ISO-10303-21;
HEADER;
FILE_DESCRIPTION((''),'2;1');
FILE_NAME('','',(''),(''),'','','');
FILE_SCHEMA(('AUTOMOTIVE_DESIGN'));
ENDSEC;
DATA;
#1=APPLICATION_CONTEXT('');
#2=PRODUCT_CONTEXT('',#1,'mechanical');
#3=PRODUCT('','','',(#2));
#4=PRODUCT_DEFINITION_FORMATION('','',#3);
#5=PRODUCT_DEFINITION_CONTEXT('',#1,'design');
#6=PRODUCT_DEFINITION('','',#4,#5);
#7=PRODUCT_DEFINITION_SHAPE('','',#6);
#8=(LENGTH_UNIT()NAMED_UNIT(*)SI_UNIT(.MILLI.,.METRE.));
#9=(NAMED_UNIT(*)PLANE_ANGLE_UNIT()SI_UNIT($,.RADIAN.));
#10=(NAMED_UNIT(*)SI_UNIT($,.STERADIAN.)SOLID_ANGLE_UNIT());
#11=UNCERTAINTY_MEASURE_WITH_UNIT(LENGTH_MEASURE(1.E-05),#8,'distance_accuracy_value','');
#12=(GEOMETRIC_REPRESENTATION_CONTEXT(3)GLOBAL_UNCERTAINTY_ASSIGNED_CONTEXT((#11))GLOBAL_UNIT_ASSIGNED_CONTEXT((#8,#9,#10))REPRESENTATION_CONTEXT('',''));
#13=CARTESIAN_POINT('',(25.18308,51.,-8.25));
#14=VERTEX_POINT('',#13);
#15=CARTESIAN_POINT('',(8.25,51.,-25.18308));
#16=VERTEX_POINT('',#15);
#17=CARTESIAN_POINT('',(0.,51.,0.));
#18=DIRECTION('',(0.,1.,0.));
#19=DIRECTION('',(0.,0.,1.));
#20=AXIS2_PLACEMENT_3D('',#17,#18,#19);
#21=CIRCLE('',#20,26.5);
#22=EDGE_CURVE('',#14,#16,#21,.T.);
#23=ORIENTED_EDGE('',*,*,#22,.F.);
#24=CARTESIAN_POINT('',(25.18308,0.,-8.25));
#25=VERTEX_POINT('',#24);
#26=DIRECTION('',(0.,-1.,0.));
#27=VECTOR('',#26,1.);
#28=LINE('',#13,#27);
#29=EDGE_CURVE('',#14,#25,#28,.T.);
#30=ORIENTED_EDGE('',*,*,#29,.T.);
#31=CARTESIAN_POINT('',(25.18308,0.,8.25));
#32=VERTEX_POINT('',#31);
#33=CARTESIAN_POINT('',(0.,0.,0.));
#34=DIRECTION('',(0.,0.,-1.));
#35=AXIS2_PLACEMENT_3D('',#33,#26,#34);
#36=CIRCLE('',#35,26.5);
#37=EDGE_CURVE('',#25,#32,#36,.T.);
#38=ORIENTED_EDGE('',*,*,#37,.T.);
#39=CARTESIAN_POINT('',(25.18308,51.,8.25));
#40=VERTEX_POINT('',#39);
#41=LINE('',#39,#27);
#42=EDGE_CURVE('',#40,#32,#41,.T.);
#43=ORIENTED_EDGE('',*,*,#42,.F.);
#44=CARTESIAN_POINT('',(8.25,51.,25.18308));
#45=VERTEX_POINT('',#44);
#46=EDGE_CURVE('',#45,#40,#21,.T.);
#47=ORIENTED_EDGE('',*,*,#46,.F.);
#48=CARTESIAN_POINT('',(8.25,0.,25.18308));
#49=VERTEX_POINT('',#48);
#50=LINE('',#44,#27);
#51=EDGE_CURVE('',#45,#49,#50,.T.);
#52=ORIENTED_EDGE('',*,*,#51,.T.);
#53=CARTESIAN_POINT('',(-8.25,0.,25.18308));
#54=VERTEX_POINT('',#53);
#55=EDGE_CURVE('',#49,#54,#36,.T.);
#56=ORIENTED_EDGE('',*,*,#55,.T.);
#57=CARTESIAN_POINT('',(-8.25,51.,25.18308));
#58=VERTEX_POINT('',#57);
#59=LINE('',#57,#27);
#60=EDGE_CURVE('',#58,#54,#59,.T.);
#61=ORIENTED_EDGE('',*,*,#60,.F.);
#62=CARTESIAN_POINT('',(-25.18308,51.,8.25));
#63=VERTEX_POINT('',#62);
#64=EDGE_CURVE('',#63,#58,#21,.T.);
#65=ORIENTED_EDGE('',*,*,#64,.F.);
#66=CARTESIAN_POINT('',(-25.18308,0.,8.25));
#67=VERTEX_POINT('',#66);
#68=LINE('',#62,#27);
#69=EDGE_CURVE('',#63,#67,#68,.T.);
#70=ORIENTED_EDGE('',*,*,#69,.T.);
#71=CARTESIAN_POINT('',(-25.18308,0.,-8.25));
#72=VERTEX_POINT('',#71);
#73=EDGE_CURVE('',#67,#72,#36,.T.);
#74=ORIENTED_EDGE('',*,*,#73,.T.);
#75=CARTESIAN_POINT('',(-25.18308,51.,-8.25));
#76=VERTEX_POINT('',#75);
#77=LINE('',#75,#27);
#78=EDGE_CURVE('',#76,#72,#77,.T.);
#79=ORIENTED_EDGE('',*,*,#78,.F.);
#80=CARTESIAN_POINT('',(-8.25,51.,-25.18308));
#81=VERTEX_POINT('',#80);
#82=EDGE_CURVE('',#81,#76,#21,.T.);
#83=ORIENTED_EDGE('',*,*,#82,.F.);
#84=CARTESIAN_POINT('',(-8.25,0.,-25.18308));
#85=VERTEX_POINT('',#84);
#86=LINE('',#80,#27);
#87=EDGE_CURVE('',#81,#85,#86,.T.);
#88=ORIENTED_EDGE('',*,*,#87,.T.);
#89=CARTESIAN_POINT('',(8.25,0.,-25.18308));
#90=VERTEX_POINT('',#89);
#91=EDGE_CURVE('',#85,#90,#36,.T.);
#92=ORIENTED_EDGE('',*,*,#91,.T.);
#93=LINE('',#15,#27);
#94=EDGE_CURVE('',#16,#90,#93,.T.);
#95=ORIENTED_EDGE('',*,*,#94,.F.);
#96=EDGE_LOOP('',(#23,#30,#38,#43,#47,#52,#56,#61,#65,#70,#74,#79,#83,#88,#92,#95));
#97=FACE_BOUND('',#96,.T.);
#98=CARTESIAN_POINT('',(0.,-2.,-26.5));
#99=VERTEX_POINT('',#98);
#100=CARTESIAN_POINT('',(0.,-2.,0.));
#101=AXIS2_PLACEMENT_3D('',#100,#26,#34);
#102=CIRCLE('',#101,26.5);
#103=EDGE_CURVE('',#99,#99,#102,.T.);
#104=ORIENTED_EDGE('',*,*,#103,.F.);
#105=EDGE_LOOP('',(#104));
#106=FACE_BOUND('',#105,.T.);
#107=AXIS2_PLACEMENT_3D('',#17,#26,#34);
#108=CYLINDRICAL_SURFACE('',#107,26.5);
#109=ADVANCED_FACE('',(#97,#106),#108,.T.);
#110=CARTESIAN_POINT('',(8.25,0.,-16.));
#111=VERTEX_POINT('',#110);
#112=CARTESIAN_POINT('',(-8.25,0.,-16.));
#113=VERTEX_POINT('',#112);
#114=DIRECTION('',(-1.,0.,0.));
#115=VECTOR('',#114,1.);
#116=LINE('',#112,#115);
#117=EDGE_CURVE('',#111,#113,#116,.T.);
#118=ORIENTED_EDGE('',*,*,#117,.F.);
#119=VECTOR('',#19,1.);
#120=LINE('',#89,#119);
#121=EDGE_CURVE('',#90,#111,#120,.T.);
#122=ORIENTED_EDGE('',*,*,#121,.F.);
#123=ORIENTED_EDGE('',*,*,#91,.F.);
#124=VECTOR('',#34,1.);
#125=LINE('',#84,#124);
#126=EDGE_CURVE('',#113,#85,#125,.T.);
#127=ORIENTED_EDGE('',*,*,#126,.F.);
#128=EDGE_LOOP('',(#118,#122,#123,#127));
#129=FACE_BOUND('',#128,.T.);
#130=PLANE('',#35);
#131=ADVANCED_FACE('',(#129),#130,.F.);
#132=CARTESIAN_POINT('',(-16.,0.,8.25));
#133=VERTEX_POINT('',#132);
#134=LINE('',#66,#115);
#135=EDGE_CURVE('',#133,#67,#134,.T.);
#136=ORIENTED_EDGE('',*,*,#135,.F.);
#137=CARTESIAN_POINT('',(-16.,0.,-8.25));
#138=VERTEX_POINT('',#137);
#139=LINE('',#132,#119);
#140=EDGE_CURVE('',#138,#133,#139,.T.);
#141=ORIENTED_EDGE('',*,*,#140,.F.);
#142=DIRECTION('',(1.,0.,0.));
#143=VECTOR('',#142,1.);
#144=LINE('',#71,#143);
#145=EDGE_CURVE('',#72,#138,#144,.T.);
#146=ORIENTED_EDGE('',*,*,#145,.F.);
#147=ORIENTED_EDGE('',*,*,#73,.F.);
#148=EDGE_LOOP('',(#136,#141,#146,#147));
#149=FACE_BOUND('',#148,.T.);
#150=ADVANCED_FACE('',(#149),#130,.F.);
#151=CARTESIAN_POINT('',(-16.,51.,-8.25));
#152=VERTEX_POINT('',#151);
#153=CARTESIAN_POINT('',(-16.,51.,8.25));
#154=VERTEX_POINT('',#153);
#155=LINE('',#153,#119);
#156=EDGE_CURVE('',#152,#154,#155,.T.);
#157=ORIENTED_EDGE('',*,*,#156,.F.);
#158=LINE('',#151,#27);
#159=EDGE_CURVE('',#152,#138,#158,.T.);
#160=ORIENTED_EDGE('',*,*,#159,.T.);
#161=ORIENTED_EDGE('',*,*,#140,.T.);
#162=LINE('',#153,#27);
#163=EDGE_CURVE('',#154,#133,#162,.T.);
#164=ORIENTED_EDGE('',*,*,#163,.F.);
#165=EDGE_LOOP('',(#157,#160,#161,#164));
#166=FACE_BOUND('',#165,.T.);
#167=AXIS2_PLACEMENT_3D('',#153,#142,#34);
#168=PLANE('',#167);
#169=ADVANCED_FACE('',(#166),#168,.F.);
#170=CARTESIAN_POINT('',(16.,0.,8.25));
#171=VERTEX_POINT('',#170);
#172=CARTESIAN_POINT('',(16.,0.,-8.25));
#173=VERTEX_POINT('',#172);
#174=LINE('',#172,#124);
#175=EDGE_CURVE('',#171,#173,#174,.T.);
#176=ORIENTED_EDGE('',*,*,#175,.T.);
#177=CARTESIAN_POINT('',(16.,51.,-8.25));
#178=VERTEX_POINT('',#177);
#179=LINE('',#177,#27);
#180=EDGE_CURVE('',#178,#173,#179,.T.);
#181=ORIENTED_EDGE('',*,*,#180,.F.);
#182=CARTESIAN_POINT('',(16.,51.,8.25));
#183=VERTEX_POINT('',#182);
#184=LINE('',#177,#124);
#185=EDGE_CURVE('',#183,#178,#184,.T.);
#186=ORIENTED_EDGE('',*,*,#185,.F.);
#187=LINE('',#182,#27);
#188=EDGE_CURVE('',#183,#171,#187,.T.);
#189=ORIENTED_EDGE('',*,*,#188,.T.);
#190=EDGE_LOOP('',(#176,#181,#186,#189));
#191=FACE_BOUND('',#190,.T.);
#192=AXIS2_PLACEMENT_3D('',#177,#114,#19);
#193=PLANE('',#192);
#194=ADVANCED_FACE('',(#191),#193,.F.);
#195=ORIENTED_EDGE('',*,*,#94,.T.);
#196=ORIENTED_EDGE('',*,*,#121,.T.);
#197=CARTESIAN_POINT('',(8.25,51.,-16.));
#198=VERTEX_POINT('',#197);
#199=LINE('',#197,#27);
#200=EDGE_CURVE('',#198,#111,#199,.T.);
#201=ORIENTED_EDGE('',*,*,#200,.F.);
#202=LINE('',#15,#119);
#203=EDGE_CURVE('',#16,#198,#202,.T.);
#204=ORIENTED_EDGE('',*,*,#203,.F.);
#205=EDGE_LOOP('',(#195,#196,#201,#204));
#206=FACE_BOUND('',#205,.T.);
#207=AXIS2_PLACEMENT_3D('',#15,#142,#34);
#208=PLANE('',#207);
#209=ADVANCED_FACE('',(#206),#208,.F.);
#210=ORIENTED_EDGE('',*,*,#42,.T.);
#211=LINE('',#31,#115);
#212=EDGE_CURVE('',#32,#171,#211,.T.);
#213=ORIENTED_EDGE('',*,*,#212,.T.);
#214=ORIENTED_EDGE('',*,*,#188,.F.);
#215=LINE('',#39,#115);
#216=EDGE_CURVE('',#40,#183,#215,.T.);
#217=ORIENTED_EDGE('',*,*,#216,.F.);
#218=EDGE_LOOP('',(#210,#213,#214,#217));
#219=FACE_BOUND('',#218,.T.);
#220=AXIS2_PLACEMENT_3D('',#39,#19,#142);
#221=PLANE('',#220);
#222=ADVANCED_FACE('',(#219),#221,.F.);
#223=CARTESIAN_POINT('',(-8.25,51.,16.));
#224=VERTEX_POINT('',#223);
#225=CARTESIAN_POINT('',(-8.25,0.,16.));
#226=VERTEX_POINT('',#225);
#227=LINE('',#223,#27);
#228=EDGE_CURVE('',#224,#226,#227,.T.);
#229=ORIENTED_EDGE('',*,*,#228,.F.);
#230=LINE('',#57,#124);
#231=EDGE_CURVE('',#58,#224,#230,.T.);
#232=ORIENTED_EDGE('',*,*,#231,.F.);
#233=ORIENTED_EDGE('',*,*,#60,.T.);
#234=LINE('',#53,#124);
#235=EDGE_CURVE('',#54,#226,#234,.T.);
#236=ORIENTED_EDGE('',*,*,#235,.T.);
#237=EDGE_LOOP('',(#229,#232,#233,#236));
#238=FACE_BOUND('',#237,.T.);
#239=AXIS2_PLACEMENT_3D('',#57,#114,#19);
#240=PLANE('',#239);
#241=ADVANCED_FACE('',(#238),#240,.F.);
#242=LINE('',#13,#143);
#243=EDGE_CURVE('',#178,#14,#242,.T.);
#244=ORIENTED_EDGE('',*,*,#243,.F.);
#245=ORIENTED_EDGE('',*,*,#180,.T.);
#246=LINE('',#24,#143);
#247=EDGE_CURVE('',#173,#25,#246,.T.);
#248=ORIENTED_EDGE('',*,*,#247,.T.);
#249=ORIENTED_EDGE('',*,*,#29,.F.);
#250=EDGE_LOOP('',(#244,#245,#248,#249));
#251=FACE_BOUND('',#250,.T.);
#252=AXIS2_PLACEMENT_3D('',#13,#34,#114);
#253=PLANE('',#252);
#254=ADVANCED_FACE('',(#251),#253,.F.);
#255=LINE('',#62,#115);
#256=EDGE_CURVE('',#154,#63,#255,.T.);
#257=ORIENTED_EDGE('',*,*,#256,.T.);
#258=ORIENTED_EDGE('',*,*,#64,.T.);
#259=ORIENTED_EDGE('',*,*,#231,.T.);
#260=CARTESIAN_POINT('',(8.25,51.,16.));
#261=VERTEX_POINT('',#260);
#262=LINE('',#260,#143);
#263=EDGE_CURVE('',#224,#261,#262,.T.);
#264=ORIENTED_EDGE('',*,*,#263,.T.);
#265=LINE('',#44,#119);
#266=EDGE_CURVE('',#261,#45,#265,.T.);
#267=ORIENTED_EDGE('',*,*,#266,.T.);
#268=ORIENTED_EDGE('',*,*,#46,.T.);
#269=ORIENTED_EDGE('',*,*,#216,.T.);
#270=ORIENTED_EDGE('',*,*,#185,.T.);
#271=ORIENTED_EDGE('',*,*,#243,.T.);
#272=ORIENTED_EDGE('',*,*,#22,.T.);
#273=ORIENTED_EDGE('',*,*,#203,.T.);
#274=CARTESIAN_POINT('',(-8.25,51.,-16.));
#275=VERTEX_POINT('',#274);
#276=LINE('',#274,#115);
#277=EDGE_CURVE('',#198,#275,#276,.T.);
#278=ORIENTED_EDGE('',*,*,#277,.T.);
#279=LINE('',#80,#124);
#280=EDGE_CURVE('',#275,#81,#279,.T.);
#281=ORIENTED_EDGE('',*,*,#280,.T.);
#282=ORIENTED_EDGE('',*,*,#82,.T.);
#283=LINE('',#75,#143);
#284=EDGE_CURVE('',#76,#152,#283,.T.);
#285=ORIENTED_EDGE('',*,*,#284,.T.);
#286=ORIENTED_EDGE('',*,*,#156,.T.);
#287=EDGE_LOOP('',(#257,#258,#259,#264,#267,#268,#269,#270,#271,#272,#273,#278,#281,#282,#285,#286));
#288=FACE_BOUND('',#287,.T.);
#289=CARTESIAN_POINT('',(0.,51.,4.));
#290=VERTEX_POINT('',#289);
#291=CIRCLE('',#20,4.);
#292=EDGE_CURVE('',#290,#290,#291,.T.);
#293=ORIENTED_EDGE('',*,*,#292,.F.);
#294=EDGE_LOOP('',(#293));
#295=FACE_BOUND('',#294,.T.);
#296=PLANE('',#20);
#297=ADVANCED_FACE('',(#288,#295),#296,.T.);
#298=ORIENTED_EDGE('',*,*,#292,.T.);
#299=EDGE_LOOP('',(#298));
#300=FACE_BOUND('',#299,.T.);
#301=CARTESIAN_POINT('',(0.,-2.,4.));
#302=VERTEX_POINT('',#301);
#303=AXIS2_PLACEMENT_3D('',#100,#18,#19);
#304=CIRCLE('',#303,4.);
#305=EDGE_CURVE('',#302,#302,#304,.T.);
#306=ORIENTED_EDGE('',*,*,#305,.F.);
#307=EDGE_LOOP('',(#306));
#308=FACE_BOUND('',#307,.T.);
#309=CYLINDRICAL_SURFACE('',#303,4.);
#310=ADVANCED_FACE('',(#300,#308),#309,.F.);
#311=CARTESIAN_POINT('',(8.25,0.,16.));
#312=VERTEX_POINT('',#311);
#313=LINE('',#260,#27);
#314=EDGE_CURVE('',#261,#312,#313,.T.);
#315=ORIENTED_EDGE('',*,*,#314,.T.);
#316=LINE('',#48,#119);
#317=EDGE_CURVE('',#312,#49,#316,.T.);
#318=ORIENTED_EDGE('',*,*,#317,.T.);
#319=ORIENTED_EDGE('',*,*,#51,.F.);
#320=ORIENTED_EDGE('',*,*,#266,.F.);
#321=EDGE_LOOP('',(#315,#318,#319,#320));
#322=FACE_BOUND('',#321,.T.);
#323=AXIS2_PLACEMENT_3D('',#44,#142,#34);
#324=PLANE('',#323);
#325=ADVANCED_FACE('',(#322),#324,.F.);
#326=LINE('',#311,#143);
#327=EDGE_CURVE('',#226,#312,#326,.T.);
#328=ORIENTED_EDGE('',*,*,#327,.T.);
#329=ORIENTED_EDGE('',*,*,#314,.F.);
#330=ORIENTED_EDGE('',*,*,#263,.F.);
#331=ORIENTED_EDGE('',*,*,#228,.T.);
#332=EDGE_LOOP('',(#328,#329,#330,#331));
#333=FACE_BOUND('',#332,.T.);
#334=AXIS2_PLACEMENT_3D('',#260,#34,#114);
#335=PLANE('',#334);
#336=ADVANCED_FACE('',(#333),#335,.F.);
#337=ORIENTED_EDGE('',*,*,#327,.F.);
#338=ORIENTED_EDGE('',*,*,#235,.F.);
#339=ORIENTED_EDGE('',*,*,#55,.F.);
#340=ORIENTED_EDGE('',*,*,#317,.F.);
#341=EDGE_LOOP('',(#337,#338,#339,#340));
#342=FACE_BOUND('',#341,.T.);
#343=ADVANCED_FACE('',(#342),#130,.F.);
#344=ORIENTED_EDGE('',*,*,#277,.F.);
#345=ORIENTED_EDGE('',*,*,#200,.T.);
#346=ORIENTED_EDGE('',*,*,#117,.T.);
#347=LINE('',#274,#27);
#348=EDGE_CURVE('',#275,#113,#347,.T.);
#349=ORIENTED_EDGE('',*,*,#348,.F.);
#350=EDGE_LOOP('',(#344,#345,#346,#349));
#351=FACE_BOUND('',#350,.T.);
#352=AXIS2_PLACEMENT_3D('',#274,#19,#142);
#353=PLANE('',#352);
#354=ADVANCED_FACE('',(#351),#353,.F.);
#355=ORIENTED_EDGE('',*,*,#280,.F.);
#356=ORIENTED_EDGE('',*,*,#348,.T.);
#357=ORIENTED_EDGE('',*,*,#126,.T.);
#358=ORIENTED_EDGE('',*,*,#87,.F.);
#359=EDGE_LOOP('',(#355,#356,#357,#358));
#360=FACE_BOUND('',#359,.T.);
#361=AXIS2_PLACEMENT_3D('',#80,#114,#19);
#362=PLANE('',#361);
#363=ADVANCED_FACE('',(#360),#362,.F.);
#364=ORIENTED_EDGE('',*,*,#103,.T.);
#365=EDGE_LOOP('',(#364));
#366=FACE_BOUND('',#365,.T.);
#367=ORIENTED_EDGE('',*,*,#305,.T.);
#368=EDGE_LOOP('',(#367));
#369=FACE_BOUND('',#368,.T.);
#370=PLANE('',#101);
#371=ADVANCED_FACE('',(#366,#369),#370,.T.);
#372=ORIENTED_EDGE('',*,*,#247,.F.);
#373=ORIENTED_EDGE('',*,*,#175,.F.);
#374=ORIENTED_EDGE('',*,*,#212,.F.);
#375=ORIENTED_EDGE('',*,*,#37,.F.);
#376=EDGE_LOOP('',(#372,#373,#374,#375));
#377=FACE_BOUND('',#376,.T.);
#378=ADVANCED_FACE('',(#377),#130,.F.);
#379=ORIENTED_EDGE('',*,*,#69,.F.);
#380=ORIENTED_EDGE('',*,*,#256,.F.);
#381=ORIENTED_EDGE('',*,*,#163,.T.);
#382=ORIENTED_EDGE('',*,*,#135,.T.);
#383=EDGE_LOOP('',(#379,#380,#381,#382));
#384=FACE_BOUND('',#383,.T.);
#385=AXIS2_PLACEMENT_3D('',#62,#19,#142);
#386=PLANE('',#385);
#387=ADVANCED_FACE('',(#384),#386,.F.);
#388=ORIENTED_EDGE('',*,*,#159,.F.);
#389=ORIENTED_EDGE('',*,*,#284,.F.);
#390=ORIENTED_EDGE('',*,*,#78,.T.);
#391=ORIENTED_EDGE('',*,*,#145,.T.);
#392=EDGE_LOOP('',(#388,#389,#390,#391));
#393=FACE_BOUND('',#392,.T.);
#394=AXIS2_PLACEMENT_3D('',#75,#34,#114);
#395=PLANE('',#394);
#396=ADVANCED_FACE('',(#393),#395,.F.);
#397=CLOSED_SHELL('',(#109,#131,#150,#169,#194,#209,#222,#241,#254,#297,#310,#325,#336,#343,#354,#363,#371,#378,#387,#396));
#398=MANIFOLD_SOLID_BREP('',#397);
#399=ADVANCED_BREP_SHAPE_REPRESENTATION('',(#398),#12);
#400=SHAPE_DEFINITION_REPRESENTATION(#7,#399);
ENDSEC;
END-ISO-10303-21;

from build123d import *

# Parameters (mm, degrees)
BOSS_EXTRUDE1_DEPTH = 51
SKETCH3_R           = 26.5
BOSS_EXTRUDE2_DEPTH = 2
SKETCH4_R           = 4
CUT_EXTRUDE1_DEPTH  = 54


with BuildPart() as part:
    # Sketch2 → Boss-Extrude1 (new body)
    with BuildSketch(Plane(origin=(0, 0, 0), x_dir=(1, 0, 0), z_dir=(0, 1, 0))):
        with BuildLine():
            Line((-8.25, 25.183079637), (-8.25, 16))
            Line((-8.25, 16), (8.25, 16))
            Line((8.25, 16), (8.25, 25.183079637))
            ThreePointArc((8.25, 25.183079637), (18.738329701, 18.738329701), (25.183079637, 8.25))
            Line((25.183079637, 8.25), (16, 8.25))
            Line((16, 8.25), (16, -8.25))
            Line((16, -8.25), (25.183079637, -8.25))
            ThreePointArc((25.183079637, -8.25), (18.738329701, -18.738329701), (8.25, -25.183079637))
            Line((8.25, -25.183079637), (8.25, -16))
            Line((8.25, -16), (-8.25, -16))
            Line((-8.25, -16), (-8.25, -25.183079637))
            ThreePointArc((-8.25, -25.183079637), (-18.738329701, -18.738329701), (-25.183079637, -8.25))
            Line((-25.183079637, -8.25), (-16, -8.25))
            Line((-16, -8.25), (-16, 8.25))
            Line((-16, 8.25), (-25.183079637, 8.25))
            ThreePointArc((-25.183079637, 8.25), (-18.738329701, 18.738329701), (-8.25, 25.183079637))
        make_face()
    extrude(amount=BOSS_EXTRUDE1_DEPTH)

    # Sketch3 → Boss-Extrude2 (add)
    with BuildSketch(Plane.XZ):
        Circle(SKETCH3_R)
    extrude(amount=BOSS_EXTRUDE2_DEPTH)

    # Sketch4 → Cut-Extrude1 (cut, through all)
    with BuildSketch(Plane(origin=(0, 51, 0), x_dir=(1, 0, 0), z_dir=(0, 1, 0))):
        Circle(SKETCH4_R)
    extrude(amount=-CUT_EXTRUDE1_DEPTH, mode=Mode.SUBTRACT)


solid = part.part
